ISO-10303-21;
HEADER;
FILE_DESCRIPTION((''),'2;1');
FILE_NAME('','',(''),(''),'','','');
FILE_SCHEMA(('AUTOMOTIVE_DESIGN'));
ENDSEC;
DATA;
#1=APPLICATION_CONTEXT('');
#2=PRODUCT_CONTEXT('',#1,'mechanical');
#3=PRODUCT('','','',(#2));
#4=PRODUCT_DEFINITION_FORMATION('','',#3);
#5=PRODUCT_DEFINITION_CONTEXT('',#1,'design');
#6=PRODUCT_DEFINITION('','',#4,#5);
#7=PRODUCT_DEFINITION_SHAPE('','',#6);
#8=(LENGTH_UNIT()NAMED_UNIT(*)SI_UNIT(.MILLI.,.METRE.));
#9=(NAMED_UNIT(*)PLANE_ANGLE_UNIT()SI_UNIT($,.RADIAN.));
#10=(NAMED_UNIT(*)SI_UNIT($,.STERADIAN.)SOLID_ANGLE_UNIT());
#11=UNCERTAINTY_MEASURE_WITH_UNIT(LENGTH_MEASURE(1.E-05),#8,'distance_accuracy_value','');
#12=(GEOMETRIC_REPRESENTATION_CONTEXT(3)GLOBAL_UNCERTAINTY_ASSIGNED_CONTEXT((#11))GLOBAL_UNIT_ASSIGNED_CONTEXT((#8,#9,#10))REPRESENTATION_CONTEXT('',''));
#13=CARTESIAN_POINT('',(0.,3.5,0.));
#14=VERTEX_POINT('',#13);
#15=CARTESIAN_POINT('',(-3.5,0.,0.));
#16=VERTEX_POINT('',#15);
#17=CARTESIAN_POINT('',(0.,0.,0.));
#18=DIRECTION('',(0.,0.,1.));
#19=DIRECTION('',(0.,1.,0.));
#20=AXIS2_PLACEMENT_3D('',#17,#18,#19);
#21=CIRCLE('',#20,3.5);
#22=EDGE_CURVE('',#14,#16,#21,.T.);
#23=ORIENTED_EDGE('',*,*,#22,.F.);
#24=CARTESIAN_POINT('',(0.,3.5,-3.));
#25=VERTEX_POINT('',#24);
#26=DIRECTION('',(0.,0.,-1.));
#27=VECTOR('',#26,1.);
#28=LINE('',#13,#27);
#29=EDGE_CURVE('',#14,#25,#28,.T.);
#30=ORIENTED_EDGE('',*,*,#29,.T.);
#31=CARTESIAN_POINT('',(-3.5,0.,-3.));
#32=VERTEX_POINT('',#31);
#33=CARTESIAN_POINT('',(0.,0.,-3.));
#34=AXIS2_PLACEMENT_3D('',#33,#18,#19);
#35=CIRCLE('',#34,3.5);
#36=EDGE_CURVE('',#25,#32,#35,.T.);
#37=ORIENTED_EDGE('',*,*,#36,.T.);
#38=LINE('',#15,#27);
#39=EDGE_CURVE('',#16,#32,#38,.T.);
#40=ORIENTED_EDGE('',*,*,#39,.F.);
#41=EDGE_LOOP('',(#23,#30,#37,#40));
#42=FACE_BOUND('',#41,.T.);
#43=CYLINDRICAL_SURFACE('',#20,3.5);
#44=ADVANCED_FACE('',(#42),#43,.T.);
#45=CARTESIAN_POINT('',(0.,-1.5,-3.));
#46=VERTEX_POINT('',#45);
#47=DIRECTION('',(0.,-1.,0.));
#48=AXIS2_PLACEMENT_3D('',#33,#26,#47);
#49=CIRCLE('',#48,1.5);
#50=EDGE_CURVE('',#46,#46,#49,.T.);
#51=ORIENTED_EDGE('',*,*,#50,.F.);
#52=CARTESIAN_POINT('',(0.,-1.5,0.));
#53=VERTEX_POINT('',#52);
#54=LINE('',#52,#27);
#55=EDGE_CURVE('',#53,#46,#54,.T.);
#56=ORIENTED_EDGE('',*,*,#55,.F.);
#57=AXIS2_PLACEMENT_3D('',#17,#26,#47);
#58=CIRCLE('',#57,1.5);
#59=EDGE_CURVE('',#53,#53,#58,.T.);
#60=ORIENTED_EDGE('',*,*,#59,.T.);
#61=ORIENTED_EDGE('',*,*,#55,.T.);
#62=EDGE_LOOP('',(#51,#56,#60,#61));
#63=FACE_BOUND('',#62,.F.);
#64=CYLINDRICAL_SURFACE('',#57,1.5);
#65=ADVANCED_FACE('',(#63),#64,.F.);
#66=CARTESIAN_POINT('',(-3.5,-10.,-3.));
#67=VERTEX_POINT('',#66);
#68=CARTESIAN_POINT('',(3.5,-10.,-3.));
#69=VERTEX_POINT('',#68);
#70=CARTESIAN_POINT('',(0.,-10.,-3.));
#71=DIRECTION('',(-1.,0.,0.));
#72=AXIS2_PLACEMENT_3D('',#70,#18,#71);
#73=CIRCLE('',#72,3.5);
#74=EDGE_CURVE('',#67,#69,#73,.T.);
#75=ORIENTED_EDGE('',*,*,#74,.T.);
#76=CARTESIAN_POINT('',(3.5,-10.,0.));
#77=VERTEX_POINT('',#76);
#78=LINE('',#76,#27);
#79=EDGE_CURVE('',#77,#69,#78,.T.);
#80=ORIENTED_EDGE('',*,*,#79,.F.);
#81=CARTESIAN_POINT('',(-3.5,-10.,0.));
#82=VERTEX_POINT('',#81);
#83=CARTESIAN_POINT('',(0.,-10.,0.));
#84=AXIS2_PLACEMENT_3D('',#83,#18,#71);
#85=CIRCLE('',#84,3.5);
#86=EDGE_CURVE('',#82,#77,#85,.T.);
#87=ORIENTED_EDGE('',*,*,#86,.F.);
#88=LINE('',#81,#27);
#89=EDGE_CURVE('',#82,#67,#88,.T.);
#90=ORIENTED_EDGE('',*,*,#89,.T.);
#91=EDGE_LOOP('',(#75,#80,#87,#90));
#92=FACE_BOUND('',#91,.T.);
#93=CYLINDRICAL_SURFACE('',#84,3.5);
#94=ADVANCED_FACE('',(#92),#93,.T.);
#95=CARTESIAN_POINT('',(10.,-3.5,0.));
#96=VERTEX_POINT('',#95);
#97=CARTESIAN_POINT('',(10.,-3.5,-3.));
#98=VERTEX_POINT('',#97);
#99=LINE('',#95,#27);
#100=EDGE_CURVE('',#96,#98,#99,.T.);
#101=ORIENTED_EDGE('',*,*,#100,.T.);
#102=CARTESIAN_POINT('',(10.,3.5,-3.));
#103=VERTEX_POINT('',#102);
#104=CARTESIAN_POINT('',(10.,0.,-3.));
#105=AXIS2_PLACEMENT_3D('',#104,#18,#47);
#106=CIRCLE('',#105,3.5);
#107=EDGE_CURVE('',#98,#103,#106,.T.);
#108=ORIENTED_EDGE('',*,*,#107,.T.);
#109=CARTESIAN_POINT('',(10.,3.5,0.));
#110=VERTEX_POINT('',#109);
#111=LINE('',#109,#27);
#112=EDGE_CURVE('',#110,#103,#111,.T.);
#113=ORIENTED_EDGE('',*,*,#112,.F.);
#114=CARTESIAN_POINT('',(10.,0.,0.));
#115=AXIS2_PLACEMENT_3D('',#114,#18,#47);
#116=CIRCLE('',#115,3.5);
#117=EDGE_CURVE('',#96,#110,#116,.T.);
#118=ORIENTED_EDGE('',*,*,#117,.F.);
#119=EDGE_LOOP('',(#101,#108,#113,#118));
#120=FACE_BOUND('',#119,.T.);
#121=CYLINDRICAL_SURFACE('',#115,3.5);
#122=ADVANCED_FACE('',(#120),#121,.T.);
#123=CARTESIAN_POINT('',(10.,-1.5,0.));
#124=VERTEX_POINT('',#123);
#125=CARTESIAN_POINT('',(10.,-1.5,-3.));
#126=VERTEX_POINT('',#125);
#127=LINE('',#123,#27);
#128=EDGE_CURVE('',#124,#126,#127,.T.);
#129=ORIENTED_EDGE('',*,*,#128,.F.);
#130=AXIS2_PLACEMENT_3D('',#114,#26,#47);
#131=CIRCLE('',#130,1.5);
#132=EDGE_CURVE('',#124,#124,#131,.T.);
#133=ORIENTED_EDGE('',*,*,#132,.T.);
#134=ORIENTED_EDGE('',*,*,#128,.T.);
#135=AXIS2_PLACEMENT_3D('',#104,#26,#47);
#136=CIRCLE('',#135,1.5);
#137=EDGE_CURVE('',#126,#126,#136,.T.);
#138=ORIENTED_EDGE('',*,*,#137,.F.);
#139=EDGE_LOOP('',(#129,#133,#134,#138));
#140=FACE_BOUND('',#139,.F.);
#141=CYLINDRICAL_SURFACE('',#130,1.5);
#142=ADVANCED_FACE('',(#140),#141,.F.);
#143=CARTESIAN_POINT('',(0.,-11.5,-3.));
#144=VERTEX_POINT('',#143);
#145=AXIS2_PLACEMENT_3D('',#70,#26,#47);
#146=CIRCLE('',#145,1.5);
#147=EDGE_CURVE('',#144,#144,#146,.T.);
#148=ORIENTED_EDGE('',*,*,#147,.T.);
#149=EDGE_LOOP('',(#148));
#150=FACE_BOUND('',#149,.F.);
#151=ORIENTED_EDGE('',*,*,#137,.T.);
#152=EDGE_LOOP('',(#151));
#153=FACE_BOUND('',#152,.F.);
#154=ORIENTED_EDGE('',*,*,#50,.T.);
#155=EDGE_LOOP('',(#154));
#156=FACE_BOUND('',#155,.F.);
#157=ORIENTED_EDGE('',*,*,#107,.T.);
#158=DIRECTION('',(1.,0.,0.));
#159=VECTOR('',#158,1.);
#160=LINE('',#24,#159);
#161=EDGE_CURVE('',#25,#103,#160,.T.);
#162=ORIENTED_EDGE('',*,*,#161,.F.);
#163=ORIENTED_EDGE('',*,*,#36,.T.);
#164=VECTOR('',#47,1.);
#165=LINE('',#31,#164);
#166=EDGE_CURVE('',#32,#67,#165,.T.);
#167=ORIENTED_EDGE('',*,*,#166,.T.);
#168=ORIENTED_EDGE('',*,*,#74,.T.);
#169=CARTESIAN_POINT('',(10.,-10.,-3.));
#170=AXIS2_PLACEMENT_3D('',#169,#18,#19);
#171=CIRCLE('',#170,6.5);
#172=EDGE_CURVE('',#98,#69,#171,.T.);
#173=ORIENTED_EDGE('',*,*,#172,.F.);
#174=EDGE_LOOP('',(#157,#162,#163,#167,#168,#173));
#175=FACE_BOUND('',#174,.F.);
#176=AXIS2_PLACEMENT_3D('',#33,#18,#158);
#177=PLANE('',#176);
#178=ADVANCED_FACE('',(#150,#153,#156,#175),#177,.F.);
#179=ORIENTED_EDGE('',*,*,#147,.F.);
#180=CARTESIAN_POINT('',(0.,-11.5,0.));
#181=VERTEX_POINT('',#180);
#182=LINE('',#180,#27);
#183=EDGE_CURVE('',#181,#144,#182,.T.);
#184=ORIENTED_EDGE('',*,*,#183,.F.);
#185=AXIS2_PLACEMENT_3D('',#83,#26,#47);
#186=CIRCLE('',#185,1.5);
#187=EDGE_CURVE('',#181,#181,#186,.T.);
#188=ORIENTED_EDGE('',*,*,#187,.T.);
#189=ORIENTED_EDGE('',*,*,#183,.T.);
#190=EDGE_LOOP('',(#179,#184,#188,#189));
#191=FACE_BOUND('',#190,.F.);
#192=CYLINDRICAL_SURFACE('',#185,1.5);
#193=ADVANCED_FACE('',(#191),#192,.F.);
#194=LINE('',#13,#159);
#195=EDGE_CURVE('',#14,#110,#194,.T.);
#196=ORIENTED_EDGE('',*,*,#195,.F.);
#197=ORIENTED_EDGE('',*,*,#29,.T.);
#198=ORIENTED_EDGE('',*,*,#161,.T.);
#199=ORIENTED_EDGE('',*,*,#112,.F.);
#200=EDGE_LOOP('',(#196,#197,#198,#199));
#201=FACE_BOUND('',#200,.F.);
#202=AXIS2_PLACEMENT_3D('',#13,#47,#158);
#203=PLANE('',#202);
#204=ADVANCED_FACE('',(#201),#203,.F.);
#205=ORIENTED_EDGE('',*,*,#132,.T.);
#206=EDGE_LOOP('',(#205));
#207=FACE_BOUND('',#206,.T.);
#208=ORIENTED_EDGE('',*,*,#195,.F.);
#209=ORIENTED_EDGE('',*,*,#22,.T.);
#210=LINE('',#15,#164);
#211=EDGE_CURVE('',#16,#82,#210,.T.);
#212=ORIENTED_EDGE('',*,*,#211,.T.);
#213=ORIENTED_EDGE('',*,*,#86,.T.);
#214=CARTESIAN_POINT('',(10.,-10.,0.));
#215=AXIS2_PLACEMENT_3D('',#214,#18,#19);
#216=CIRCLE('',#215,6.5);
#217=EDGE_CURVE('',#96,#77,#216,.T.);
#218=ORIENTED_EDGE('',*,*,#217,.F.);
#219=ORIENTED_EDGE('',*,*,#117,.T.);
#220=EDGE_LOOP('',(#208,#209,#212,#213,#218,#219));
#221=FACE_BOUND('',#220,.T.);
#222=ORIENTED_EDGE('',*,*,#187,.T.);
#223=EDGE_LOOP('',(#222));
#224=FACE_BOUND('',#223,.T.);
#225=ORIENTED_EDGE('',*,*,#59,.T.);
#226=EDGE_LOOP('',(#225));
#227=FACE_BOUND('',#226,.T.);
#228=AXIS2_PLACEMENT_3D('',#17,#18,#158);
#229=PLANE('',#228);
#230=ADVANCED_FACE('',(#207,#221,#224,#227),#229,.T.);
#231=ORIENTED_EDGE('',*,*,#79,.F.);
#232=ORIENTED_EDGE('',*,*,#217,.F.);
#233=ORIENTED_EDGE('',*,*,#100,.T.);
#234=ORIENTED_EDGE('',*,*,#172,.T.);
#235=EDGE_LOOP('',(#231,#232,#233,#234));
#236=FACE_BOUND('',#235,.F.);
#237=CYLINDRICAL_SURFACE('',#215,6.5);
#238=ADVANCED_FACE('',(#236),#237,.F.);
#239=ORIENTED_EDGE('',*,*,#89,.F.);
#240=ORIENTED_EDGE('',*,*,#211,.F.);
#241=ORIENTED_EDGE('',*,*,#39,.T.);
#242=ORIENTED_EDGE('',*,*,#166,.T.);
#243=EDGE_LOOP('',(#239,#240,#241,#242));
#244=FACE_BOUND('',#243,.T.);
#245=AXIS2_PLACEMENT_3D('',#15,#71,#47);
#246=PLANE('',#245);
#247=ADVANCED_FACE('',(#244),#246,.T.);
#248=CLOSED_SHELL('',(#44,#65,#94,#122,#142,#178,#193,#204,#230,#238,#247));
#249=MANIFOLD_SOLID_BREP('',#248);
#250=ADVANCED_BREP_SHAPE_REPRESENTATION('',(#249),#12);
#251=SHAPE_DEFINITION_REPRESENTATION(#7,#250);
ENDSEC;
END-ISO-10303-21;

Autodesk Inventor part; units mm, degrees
ref_plane "YZ Plane" through (0, 0, 0) normal (1, 0, 0) x (0, 1, 0)
ref_plane "XZ Plane" through (0, 0, 0) normal (0, 1, 0) x (-1, 0, 0)
ref_plane "XY Plane" through (0, 0, 0) normal (0, 0, 1) x (1, 0, 0)
sketch "Sketch1" plane through (0, 0, 0) normal (0, 0, 1) x (1, 0, 0)
  line L0 (10, 0) -> (0, 0) construction
  line L1 (0, 0) -> (0, -10) construction
  line L2 (0, 3.5) -> (10, 3.5)
  arc A0 (10, -3.5) -> (10, 3.5) centre (10, 0) ccw
  arc A1 (0, 3.5) -> (-3.5, 0) centre (0, 0) ccw
  line L3 (-3.5, 0) -> (-3.5, -10)
  arc A2 (-3.5, -10) -> (3.5, -10) centre (0, -10) ccw
  arc A3 (10, -3.5) -> (3.5, -10) centre (10, -10) ccw
  line L4 (3.5, -10) -> (3.5, -3.5) construction
  line L5 (3.5, -3.5) -> (10, -3.5) construction
  dimension "d0" = 10
  dimension "d2" = 3.5
extrude "Extrusion1" add sketch "Sketch1" against normal blind 3
hole "Hole1" at (0, 0, 0) at (0, -10, 0) at (10, 0, 0) direction (0, 0, -1) diameter 3 depth 8 tip angle 118
properties part number "Updown_triangle"
